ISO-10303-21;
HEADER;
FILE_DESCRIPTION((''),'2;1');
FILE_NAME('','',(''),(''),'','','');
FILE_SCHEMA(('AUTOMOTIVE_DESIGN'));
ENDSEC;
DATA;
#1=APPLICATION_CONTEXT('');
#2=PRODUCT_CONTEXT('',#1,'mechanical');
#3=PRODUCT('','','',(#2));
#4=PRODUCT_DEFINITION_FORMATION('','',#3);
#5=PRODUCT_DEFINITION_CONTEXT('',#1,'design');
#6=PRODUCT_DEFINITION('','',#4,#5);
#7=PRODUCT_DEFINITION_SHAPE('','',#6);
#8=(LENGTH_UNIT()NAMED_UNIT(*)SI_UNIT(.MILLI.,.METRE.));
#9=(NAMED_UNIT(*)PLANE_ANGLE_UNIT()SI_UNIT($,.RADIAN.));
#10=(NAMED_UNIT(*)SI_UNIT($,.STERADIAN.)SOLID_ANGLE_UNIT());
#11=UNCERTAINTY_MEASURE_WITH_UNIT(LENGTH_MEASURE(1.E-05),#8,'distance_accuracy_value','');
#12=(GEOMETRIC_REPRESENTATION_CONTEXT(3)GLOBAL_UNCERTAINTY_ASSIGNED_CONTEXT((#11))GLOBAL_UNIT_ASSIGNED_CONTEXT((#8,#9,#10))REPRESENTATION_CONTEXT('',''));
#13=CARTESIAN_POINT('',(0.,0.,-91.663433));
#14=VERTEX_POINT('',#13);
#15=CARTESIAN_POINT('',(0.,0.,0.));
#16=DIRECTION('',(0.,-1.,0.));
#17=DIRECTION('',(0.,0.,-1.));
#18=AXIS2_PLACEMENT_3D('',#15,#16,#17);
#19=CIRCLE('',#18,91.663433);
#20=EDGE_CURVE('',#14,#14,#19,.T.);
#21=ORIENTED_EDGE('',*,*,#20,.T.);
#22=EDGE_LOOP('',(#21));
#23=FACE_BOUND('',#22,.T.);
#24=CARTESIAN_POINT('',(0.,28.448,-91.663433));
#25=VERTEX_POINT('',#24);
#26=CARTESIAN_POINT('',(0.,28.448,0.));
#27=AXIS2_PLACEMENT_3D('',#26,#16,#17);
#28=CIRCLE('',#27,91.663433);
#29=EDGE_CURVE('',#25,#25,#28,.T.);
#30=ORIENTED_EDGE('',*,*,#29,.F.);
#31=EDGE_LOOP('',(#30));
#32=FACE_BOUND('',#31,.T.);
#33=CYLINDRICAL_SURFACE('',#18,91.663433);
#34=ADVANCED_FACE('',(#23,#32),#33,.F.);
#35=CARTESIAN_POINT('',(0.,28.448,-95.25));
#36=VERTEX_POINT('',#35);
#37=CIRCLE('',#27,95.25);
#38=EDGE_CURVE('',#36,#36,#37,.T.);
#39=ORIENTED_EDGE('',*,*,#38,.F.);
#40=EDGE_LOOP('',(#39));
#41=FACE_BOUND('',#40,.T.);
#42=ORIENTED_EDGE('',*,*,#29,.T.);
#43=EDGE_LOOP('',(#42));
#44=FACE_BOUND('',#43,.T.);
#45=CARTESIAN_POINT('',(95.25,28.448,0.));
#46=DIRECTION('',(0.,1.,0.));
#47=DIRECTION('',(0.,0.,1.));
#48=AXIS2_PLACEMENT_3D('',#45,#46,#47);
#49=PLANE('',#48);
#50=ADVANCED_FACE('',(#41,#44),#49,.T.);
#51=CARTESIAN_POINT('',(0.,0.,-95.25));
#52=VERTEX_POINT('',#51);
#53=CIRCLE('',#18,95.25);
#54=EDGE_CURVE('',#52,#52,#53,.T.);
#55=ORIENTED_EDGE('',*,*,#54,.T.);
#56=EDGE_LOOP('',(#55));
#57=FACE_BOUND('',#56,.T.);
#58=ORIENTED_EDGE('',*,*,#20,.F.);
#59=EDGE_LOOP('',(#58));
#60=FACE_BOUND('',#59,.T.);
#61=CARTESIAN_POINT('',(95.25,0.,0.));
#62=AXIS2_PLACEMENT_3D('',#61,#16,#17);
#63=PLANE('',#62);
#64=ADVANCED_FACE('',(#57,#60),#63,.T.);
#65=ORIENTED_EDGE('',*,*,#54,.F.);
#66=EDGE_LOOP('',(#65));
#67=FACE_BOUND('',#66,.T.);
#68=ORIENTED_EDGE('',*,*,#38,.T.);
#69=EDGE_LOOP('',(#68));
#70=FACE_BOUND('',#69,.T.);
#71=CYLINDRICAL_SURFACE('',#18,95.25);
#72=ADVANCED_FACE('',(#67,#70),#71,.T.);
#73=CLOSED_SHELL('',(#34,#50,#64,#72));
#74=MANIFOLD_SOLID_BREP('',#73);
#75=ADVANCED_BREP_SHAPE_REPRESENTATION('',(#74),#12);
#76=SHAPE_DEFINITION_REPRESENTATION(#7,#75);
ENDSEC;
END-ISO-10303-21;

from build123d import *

# Parameters (mm, degrees)
SKETCH1_W = 3.586567335
SKETCH1_H = 28.448


with BuildPart() as part:
    # Sketch1 → Revolve1 (revolve)
    with BuildSketch(Plane.XY, mode=Mode.PRIVATE) as revolve1_sk:
        with Locations((93.456716333, 14.224)):
            Rectangle(SKETCH1_W, SKETCH1_H)
    revolve(revolve1_sk.sketch.rotate(Axis((0, 0, 0), (0, 1, 0)), 90), axis=Axis((0, 0, 0), (0, 1, 0)))


solid = part.part
